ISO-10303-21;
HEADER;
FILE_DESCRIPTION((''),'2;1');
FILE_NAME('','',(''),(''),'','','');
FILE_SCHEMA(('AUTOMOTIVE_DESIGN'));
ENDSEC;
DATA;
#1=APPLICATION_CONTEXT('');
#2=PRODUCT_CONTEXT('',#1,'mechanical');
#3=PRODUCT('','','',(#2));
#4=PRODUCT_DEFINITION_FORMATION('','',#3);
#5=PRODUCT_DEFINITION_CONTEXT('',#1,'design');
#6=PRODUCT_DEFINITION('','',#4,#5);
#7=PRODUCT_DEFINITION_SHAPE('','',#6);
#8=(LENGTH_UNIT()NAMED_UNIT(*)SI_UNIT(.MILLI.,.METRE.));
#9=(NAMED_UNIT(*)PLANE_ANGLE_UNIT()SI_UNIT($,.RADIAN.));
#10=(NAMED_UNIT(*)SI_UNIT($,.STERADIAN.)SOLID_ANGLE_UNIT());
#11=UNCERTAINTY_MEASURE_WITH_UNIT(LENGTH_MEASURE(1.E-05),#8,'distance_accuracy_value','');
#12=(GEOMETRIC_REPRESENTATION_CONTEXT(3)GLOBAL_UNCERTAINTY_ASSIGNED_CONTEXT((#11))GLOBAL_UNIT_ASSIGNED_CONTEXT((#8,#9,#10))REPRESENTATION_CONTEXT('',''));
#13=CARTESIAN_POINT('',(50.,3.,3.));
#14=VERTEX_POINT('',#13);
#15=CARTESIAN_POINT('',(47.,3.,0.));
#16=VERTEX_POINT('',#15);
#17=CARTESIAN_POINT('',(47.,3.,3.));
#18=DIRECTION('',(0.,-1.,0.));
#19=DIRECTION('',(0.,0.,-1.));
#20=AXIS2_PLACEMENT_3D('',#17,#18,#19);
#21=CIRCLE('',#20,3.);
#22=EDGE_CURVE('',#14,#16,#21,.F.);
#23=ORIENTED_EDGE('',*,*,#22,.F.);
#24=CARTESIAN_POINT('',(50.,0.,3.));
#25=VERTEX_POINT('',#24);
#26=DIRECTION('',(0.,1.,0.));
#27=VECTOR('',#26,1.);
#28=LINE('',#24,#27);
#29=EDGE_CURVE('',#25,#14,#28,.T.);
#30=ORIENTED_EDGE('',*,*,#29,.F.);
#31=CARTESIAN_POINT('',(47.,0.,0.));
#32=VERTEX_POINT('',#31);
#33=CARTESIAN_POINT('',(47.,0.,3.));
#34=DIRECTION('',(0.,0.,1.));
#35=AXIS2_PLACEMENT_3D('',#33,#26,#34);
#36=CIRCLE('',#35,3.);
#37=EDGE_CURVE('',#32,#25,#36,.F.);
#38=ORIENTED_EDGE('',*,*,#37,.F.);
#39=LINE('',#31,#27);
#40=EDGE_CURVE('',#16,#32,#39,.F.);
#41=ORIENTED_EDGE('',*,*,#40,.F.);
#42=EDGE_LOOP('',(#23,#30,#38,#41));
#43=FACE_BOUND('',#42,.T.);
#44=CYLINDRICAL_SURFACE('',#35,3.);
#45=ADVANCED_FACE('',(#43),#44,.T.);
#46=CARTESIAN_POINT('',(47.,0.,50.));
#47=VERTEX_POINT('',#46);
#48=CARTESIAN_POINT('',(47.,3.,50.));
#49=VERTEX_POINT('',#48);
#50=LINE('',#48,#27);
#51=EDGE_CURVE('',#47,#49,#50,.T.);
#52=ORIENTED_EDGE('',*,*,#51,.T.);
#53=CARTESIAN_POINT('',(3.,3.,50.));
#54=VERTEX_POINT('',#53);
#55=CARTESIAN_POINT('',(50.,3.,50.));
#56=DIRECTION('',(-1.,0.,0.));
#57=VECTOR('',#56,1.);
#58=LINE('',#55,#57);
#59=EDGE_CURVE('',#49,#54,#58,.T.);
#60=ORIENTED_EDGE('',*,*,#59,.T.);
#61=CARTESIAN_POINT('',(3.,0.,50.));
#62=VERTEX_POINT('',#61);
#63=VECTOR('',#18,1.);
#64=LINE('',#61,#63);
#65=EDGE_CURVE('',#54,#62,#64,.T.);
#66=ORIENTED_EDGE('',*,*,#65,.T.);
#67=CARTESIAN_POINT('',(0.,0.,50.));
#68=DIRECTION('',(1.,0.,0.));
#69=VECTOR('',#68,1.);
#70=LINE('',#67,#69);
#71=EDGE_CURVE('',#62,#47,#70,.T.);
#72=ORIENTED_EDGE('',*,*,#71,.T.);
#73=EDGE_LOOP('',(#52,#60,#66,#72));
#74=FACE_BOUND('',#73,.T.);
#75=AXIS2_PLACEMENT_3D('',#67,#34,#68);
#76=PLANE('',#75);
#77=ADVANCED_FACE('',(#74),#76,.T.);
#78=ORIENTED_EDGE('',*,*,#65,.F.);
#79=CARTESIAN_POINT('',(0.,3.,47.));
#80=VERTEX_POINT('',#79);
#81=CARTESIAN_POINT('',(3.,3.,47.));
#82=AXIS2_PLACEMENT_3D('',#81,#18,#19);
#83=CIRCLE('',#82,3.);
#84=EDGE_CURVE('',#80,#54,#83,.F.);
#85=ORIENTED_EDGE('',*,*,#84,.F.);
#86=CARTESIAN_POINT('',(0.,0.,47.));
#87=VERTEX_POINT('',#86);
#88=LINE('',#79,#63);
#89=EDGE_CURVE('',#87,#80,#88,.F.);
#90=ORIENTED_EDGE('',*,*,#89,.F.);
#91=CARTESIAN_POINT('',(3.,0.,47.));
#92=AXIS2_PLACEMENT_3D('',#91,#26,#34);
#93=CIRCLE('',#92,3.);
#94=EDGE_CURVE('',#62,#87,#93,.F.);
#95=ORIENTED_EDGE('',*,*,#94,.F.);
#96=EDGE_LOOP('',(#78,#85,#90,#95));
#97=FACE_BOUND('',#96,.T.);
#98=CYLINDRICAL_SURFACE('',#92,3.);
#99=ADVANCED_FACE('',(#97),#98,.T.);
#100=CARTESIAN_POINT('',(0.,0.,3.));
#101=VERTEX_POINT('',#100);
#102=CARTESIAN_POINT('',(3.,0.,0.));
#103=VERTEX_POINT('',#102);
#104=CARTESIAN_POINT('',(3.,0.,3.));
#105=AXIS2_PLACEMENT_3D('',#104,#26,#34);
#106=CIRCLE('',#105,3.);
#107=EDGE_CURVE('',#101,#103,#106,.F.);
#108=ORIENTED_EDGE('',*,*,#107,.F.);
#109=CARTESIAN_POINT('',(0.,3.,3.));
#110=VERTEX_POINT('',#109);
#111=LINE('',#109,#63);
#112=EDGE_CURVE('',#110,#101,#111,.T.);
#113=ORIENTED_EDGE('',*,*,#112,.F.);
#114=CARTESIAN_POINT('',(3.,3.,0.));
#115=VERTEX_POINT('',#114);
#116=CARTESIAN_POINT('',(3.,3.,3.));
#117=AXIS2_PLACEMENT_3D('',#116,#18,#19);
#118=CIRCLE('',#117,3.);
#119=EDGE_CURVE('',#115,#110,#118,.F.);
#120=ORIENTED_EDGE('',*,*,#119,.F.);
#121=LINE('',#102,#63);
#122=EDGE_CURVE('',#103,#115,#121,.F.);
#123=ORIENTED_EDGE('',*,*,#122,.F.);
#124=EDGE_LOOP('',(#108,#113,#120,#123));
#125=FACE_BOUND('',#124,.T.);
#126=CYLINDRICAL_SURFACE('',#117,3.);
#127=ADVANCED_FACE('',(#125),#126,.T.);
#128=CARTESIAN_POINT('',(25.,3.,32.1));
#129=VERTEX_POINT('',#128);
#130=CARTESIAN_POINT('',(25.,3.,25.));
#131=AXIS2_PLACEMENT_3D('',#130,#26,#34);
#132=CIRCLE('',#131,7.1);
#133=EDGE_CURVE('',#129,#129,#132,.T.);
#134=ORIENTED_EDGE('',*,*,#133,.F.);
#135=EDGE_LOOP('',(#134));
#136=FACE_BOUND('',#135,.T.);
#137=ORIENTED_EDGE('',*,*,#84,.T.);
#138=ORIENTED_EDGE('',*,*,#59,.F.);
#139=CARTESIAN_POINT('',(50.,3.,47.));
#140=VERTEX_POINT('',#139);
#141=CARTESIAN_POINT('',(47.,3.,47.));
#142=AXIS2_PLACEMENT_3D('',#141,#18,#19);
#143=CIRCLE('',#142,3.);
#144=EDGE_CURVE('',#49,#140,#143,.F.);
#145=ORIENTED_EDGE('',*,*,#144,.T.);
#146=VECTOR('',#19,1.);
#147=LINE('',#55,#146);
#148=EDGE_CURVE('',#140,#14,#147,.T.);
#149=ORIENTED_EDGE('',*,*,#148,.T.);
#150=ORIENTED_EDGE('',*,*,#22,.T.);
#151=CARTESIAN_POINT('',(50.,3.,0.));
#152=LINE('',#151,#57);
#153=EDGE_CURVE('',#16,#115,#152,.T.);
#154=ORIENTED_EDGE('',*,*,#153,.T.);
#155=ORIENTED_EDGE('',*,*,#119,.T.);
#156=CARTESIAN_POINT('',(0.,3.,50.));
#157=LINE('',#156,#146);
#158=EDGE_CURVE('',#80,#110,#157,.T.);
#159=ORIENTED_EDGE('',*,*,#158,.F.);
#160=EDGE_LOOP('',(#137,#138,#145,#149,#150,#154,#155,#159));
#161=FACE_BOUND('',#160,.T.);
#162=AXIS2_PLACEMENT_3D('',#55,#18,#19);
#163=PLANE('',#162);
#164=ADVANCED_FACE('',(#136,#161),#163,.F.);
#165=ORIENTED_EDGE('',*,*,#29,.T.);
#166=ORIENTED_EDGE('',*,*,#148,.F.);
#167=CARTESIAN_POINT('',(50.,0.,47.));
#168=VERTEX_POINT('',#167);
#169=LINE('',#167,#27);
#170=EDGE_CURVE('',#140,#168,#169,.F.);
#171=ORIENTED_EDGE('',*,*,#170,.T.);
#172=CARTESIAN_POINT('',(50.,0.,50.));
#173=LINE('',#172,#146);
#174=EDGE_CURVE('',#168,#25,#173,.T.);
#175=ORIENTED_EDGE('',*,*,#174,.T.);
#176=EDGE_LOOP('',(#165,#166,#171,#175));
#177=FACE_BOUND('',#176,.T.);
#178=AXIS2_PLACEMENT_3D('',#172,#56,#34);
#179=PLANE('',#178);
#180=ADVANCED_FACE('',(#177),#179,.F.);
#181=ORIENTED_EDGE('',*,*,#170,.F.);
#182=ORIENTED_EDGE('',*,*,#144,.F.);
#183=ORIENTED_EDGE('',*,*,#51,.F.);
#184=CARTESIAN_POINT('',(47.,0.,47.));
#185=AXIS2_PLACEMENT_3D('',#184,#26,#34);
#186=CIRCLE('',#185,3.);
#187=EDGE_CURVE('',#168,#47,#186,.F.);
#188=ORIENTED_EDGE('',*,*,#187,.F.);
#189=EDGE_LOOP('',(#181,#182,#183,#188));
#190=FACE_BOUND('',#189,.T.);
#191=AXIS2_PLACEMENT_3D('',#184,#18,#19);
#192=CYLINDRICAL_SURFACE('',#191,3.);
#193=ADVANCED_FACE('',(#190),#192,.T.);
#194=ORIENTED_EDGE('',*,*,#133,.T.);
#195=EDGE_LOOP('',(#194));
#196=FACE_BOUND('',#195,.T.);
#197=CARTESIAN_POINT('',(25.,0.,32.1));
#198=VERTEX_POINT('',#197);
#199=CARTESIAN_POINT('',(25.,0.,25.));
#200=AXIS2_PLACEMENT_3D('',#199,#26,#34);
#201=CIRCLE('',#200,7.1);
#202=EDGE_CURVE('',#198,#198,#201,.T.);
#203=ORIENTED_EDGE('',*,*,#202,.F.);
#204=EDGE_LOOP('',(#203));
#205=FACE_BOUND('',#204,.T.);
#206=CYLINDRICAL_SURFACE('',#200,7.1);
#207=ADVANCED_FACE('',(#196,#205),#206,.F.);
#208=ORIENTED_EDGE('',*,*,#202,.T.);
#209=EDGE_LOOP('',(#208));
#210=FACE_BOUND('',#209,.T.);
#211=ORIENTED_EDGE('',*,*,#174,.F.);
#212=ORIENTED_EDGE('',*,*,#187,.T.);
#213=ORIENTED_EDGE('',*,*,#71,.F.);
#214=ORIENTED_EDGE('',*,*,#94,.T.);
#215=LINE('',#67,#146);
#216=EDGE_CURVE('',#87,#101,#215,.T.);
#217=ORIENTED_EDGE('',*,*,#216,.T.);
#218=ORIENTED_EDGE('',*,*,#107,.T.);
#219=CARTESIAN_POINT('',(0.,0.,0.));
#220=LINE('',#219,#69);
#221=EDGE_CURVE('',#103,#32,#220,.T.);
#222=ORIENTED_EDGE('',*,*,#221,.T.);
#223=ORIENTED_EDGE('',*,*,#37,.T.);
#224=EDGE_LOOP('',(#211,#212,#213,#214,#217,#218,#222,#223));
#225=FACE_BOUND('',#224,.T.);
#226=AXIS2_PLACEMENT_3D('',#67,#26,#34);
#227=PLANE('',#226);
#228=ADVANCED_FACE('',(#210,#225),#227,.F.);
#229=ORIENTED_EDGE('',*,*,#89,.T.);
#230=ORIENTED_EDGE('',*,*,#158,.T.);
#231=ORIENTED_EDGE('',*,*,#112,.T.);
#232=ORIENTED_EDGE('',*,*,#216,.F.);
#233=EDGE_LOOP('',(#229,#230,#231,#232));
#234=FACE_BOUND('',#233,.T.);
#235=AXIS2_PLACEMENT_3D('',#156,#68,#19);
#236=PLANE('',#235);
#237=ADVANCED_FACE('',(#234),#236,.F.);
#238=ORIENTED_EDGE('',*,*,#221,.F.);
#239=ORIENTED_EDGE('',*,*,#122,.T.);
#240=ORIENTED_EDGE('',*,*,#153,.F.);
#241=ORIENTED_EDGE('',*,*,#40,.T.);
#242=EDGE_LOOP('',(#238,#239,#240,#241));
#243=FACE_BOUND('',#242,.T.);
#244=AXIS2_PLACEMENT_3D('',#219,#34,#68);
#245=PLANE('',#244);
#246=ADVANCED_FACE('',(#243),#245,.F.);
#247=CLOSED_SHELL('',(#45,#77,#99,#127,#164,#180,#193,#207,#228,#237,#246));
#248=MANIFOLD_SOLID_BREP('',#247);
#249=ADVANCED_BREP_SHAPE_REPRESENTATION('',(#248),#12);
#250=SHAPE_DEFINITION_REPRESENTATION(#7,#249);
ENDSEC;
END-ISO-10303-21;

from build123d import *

# Parameters (mm, degrees)
SKETCH_1_W                = 50
SKETCH_1_H                = 3
BLOCKEXTRUDE_DEPTH        = 50
FILLET_2_R                = 3
SKETCH_2_R                = 7.1
COAXIAL_FEEDTHROUGH_DEPTH = 71.774289117


with BuildPart() as part:
    # 草图1 → BlockExtrude (new body)
    with BuildSketch(Plane.XY):
        with Locations((25, 1.5)):
            Rectangle(SKETCH_1_W, SKETCH_1_H)
    extrude(amount=BLOCKEXTRUDE_DEPTH)

    # Fillet 2
    fillet_2_edges = [part.edges().sort_by_distance(p)[0] for p in [
        (50, 1.5, 50),
        (0, 1.5, 50),
        (50, 1.5, 0),
        (0, 1.5, 0),
    ]]
    fillet(fillet_2_edges, radius=FILLET_2_R)

    # 草图2 → Coaxial_feedthrough (cut, through all)
    with BuildSketch(Plane(origin=(0, 3, 0), x_dir=(1, 0, 0), z_dir=(0, 1, 0))):
        with Locations(Location((25, -25, 0), (0, 0, 270))):
            Circle(SKETCH_2_R)
    extrude(amount=-COAXIAL_FEEDTHROUGH_DEPTH, mode=Mode.SUBTRACT)


solid = part.part
